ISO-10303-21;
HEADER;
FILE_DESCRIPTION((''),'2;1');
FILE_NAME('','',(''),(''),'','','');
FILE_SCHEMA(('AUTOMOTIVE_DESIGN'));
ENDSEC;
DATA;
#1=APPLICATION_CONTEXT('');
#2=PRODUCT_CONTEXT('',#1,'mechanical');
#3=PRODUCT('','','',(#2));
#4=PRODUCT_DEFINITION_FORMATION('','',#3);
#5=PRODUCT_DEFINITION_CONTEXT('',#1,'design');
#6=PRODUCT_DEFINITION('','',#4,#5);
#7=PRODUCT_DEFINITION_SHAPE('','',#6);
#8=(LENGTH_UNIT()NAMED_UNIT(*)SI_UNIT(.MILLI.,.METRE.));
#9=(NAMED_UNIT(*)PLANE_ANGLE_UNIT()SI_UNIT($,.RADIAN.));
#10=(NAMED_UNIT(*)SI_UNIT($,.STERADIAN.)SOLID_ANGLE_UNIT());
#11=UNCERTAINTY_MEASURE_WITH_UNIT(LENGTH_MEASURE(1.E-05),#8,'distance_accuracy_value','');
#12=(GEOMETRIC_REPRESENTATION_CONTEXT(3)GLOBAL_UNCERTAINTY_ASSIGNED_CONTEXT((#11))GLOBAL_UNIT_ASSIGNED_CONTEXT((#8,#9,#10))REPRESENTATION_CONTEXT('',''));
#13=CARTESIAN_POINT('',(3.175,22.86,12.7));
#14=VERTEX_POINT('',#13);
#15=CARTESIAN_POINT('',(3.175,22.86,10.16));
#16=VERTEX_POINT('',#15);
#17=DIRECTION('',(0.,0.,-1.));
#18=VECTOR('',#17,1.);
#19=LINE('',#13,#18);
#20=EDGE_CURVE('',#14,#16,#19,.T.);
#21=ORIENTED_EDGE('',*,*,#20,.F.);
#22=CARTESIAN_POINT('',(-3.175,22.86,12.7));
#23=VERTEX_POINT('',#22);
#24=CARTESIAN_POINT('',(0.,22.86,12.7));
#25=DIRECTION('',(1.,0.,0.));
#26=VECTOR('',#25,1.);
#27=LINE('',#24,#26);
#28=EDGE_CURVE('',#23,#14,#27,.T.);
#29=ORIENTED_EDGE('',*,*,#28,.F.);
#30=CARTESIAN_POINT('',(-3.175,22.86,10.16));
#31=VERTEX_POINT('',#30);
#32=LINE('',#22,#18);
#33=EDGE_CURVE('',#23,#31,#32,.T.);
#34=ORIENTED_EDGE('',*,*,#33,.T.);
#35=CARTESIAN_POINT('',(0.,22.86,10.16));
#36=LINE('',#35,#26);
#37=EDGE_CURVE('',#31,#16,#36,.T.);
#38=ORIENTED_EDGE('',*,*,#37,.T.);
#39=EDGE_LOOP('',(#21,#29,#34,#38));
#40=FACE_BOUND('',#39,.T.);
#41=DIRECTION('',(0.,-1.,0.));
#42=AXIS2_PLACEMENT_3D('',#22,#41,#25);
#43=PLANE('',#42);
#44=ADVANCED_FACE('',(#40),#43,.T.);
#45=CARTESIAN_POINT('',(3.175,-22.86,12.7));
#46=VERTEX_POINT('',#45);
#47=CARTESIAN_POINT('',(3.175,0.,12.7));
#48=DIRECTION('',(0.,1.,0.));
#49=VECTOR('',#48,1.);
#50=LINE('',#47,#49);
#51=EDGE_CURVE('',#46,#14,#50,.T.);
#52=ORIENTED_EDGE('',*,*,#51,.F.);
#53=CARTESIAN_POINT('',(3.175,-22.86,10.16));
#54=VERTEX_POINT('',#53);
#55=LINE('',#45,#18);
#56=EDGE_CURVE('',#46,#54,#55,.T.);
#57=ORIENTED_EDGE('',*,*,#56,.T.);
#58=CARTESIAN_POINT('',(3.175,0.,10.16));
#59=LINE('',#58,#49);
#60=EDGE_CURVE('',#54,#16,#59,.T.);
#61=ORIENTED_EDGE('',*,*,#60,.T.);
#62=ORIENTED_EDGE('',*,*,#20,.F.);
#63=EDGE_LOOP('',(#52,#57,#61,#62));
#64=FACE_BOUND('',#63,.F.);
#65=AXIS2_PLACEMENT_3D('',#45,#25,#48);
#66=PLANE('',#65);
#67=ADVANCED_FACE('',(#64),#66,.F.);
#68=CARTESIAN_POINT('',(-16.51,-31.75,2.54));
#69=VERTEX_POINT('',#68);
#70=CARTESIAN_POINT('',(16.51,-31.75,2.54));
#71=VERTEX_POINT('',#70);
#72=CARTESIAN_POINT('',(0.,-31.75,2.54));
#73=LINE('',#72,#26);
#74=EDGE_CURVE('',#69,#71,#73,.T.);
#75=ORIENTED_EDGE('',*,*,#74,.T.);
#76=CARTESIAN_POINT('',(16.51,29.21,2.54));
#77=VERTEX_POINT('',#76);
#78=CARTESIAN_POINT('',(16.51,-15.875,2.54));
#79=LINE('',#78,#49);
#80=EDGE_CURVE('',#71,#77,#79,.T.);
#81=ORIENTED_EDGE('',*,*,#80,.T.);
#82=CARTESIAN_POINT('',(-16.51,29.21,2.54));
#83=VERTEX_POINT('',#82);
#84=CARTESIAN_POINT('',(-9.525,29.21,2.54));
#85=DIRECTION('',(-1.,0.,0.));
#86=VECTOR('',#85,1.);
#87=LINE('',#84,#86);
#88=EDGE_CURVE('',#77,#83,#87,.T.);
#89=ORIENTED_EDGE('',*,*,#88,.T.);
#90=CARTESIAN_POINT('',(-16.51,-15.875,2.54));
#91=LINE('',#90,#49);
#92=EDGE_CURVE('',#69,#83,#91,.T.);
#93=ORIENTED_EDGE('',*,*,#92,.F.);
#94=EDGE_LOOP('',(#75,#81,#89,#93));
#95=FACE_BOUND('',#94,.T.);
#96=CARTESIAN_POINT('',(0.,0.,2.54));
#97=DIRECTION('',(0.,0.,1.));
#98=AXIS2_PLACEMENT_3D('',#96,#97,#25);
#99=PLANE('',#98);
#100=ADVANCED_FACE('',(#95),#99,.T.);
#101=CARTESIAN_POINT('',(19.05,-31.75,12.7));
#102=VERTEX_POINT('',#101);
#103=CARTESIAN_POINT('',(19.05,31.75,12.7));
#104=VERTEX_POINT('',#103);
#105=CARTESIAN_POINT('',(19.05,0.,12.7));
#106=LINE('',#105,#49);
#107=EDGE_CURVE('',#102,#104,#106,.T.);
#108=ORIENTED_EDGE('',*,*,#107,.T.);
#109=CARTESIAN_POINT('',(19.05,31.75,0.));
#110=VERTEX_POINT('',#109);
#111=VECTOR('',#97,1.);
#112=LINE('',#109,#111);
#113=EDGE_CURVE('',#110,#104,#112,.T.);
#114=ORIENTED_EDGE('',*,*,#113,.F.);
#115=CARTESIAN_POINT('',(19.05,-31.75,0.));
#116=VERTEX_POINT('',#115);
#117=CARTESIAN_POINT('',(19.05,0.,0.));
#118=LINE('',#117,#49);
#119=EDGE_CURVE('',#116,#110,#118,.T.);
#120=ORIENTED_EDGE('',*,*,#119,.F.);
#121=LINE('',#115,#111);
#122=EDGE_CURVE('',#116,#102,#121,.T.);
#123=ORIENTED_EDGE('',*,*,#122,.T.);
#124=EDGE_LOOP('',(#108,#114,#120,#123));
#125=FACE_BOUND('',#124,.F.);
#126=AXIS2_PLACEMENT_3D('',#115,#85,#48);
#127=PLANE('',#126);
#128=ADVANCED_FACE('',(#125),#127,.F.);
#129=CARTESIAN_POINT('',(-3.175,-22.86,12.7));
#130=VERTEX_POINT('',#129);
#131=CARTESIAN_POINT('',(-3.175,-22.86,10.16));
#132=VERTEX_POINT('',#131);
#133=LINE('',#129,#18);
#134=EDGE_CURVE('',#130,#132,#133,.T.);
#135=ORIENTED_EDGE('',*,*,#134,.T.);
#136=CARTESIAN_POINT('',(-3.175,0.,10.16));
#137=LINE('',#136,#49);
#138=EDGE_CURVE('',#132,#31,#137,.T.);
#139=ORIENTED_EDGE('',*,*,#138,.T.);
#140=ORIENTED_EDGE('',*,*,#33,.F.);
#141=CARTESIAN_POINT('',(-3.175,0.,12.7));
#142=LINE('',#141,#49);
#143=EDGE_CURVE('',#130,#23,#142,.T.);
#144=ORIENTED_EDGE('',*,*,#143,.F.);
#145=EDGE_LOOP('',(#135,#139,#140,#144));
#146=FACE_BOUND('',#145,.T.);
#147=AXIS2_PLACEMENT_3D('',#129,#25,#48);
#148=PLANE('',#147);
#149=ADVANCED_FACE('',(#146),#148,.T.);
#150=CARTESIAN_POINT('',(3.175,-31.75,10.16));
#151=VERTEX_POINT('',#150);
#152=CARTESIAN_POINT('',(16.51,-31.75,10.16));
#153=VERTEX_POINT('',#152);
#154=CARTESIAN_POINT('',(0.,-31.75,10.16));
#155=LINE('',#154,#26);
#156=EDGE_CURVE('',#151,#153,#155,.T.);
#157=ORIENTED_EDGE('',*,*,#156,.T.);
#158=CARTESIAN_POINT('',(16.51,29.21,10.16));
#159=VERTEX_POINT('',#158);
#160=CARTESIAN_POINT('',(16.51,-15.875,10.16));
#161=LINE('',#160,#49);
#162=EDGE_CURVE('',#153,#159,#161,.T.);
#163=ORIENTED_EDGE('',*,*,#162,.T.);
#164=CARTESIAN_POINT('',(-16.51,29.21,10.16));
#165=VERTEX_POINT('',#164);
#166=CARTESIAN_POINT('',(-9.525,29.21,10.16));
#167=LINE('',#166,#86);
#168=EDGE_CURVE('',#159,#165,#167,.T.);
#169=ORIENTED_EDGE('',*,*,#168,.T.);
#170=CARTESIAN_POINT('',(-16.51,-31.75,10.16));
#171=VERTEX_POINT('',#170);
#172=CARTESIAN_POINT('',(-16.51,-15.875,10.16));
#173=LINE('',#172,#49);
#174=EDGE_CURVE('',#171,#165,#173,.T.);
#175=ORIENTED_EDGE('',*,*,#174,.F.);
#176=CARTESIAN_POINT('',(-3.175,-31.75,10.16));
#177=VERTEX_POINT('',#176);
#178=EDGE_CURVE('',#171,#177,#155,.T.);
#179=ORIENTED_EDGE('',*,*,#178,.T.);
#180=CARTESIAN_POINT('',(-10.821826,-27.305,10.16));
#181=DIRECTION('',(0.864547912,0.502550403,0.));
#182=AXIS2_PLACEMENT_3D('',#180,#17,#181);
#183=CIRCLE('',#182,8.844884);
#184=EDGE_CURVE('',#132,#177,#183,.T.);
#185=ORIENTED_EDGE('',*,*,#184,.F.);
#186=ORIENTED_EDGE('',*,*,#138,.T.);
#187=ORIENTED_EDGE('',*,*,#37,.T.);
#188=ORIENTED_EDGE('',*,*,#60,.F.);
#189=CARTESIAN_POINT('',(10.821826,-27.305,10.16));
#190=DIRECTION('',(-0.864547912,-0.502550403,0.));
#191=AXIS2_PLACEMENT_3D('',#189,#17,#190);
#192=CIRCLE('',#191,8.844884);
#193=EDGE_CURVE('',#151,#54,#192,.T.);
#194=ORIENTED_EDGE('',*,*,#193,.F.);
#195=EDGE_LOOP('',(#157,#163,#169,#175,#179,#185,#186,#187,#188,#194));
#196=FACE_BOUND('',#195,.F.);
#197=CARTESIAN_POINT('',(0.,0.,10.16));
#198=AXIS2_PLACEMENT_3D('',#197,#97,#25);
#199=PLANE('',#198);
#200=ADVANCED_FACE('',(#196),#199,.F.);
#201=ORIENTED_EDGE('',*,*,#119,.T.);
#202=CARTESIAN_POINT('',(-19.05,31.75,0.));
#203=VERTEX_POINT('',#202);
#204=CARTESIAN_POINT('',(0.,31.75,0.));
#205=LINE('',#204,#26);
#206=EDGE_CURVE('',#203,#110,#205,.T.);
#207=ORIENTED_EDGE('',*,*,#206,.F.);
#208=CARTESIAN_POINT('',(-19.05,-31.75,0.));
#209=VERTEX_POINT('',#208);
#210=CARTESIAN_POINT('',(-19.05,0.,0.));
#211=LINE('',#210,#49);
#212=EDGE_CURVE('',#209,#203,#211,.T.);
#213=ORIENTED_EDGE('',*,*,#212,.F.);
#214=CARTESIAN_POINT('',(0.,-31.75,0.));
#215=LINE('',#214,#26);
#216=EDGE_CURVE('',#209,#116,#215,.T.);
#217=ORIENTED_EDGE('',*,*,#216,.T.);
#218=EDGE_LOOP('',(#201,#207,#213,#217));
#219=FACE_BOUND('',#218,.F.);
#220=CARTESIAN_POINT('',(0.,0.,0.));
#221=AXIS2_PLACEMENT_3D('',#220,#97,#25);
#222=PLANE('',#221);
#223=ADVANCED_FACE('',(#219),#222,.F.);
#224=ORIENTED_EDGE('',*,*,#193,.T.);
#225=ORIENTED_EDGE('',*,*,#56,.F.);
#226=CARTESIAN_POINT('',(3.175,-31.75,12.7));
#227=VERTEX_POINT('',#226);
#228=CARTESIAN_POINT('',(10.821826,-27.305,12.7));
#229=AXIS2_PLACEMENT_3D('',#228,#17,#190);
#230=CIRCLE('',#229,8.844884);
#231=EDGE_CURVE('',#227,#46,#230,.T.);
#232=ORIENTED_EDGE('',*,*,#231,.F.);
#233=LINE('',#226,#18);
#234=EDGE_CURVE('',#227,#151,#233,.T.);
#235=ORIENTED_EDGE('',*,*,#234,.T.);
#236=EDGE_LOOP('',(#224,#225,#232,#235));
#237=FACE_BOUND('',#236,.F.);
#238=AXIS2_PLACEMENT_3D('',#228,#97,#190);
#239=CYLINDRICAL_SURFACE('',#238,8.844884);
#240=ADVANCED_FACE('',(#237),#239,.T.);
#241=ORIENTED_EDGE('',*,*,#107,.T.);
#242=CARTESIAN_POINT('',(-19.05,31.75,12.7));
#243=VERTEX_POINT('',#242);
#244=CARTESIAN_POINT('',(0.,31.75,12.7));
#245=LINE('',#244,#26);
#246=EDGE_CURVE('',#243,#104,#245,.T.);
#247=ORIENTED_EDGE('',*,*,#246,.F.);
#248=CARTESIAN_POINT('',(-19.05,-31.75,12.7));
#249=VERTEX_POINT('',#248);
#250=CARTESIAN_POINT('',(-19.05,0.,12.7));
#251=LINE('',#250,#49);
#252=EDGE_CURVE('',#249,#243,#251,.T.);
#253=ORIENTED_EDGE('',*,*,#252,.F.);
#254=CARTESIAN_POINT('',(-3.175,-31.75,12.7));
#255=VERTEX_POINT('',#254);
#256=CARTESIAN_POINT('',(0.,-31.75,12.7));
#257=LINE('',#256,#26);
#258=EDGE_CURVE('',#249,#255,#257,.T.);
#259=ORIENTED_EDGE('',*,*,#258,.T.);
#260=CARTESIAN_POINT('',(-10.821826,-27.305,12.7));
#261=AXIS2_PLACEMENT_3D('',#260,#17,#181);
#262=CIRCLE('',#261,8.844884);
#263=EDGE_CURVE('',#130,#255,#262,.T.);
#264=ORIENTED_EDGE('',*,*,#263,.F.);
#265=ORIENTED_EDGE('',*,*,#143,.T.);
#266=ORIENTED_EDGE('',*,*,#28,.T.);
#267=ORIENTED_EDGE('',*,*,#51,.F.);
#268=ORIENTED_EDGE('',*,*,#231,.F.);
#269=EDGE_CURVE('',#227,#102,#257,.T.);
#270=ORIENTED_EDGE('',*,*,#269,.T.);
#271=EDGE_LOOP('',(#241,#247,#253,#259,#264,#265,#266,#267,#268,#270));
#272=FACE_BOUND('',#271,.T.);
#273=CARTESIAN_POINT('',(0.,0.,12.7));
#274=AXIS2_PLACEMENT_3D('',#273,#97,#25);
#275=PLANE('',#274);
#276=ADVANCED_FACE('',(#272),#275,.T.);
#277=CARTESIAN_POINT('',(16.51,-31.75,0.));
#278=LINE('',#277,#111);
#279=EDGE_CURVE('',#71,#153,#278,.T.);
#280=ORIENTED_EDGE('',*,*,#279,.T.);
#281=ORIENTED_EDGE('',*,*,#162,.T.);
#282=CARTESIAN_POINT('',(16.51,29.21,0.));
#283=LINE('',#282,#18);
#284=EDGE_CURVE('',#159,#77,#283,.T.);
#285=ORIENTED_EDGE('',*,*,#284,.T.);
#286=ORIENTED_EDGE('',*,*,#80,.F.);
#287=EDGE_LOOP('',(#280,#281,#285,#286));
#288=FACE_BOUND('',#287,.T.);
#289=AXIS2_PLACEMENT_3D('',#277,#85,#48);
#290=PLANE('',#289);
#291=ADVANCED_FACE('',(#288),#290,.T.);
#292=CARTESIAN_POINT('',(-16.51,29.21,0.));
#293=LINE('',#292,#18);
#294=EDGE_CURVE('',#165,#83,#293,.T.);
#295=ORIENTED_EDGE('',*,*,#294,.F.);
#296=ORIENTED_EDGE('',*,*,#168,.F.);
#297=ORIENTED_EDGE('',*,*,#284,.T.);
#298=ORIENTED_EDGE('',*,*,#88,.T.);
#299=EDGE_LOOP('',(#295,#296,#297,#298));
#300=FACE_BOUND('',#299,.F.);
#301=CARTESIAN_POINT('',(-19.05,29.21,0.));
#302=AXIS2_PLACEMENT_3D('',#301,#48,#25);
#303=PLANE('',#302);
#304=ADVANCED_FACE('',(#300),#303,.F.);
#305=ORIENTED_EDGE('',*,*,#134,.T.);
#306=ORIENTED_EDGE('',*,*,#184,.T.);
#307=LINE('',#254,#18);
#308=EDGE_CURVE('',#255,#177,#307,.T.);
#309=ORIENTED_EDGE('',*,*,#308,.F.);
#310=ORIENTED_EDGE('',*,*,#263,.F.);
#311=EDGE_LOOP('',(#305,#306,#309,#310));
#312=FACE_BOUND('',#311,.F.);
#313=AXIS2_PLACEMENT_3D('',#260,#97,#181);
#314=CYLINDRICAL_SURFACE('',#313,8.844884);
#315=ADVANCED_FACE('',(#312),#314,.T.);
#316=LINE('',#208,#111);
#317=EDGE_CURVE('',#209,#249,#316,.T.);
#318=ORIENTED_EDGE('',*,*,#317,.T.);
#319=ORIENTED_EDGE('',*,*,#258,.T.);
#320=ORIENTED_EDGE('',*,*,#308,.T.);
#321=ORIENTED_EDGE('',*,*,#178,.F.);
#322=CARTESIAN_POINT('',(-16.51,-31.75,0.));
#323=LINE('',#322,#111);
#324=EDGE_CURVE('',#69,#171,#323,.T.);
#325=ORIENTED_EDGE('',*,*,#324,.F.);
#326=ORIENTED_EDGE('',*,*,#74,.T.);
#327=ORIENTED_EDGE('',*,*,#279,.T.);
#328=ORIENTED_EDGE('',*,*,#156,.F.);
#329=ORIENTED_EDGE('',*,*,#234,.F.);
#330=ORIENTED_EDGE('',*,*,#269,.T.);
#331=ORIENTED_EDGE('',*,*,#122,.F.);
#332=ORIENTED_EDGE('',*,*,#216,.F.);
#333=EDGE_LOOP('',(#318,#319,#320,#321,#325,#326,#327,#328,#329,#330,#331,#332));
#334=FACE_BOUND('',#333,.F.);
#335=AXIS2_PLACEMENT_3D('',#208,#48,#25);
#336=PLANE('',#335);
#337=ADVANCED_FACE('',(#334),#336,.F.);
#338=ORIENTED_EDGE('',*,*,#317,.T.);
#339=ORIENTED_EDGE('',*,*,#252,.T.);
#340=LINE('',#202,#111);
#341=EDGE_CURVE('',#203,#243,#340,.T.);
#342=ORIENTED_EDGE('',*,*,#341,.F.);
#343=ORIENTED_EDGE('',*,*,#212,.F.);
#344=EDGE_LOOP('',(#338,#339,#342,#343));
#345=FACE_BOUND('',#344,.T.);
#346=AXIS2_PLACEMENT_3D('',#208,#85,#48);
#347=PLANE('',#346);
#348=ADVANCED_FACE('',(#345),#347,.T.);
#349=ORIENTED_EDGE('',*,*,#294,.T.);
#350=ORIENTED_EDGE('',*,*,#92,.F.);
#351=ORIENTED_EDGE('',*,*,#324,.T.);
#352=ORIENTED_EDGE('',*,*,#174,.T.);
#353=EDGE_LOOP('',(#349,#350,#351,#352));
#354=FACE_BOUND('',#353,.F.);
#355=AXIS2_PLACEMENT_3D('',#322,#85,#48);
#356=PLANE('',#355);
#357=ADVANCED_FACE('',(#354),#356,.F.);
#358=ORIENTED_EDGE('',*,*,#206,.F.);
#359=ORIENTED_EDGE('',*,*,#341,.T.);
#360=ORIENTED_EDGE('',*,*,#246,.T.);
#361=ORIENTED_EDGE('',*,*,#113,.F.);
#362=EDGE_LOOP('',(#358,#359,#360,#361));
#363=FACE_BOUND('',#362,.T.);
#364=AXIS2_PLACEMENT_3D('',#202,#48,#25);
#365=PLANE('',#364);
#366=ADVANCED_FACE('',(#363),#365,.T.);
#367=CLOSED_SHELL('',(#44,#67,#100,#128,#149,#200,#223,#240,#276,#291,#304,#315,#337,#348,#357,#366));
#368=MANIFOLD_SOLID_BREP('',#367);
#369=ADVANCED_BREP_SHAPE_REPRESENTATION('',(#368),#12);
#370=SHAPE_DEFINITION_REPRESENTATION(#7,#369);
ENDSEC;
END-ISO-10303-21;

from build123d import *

# Parameters (mm, degrees)
F0_W     = 38.1
F0_H     = 63.5
F1_DEPTH = 12.7
F2_T     = -2.54
F3_W     = 6.35
F3_H     = 45.72
F4_DEPTH = 2.54


with BuildPart() as f1:
    # F0 (on Top) → F1 (new body)
    with BuildSketch(Plane.XY):
        Rectangle(F0_W, F0_H)
    extrude(amount=F1_DEPTH)

    # F2
    f2_openings = [f1.faces().sort_by_distance(p)[0] for p in [
        (0, -31.75, 6.35),
    ]]
    offset(amount=F2_T, openings=f2_openings)

    # F3 (on face) → F4 (cut, through all)
    with BuildSketch(Plane.XY.offset(12.7)):
        Rectangle(F3_W, F3_H)
        with BuildLine():
            ThreePointArc((3.175, -31.75), (1.976942, -27.305), (3.175, -22.86))
            Line((3.175, -22.86), (-3.175, -22.86))
            ThreePointArc((-3.175, -22.86), (-1.976942, -27.305), (-3.175, -31.75))
            Line((-3.175, -31.75), (3.175, -31.75))
        make_face()
    extrude(amount=-F4_DEPTH, mode=Mode.SUBTRACT)


solid = f1.part
